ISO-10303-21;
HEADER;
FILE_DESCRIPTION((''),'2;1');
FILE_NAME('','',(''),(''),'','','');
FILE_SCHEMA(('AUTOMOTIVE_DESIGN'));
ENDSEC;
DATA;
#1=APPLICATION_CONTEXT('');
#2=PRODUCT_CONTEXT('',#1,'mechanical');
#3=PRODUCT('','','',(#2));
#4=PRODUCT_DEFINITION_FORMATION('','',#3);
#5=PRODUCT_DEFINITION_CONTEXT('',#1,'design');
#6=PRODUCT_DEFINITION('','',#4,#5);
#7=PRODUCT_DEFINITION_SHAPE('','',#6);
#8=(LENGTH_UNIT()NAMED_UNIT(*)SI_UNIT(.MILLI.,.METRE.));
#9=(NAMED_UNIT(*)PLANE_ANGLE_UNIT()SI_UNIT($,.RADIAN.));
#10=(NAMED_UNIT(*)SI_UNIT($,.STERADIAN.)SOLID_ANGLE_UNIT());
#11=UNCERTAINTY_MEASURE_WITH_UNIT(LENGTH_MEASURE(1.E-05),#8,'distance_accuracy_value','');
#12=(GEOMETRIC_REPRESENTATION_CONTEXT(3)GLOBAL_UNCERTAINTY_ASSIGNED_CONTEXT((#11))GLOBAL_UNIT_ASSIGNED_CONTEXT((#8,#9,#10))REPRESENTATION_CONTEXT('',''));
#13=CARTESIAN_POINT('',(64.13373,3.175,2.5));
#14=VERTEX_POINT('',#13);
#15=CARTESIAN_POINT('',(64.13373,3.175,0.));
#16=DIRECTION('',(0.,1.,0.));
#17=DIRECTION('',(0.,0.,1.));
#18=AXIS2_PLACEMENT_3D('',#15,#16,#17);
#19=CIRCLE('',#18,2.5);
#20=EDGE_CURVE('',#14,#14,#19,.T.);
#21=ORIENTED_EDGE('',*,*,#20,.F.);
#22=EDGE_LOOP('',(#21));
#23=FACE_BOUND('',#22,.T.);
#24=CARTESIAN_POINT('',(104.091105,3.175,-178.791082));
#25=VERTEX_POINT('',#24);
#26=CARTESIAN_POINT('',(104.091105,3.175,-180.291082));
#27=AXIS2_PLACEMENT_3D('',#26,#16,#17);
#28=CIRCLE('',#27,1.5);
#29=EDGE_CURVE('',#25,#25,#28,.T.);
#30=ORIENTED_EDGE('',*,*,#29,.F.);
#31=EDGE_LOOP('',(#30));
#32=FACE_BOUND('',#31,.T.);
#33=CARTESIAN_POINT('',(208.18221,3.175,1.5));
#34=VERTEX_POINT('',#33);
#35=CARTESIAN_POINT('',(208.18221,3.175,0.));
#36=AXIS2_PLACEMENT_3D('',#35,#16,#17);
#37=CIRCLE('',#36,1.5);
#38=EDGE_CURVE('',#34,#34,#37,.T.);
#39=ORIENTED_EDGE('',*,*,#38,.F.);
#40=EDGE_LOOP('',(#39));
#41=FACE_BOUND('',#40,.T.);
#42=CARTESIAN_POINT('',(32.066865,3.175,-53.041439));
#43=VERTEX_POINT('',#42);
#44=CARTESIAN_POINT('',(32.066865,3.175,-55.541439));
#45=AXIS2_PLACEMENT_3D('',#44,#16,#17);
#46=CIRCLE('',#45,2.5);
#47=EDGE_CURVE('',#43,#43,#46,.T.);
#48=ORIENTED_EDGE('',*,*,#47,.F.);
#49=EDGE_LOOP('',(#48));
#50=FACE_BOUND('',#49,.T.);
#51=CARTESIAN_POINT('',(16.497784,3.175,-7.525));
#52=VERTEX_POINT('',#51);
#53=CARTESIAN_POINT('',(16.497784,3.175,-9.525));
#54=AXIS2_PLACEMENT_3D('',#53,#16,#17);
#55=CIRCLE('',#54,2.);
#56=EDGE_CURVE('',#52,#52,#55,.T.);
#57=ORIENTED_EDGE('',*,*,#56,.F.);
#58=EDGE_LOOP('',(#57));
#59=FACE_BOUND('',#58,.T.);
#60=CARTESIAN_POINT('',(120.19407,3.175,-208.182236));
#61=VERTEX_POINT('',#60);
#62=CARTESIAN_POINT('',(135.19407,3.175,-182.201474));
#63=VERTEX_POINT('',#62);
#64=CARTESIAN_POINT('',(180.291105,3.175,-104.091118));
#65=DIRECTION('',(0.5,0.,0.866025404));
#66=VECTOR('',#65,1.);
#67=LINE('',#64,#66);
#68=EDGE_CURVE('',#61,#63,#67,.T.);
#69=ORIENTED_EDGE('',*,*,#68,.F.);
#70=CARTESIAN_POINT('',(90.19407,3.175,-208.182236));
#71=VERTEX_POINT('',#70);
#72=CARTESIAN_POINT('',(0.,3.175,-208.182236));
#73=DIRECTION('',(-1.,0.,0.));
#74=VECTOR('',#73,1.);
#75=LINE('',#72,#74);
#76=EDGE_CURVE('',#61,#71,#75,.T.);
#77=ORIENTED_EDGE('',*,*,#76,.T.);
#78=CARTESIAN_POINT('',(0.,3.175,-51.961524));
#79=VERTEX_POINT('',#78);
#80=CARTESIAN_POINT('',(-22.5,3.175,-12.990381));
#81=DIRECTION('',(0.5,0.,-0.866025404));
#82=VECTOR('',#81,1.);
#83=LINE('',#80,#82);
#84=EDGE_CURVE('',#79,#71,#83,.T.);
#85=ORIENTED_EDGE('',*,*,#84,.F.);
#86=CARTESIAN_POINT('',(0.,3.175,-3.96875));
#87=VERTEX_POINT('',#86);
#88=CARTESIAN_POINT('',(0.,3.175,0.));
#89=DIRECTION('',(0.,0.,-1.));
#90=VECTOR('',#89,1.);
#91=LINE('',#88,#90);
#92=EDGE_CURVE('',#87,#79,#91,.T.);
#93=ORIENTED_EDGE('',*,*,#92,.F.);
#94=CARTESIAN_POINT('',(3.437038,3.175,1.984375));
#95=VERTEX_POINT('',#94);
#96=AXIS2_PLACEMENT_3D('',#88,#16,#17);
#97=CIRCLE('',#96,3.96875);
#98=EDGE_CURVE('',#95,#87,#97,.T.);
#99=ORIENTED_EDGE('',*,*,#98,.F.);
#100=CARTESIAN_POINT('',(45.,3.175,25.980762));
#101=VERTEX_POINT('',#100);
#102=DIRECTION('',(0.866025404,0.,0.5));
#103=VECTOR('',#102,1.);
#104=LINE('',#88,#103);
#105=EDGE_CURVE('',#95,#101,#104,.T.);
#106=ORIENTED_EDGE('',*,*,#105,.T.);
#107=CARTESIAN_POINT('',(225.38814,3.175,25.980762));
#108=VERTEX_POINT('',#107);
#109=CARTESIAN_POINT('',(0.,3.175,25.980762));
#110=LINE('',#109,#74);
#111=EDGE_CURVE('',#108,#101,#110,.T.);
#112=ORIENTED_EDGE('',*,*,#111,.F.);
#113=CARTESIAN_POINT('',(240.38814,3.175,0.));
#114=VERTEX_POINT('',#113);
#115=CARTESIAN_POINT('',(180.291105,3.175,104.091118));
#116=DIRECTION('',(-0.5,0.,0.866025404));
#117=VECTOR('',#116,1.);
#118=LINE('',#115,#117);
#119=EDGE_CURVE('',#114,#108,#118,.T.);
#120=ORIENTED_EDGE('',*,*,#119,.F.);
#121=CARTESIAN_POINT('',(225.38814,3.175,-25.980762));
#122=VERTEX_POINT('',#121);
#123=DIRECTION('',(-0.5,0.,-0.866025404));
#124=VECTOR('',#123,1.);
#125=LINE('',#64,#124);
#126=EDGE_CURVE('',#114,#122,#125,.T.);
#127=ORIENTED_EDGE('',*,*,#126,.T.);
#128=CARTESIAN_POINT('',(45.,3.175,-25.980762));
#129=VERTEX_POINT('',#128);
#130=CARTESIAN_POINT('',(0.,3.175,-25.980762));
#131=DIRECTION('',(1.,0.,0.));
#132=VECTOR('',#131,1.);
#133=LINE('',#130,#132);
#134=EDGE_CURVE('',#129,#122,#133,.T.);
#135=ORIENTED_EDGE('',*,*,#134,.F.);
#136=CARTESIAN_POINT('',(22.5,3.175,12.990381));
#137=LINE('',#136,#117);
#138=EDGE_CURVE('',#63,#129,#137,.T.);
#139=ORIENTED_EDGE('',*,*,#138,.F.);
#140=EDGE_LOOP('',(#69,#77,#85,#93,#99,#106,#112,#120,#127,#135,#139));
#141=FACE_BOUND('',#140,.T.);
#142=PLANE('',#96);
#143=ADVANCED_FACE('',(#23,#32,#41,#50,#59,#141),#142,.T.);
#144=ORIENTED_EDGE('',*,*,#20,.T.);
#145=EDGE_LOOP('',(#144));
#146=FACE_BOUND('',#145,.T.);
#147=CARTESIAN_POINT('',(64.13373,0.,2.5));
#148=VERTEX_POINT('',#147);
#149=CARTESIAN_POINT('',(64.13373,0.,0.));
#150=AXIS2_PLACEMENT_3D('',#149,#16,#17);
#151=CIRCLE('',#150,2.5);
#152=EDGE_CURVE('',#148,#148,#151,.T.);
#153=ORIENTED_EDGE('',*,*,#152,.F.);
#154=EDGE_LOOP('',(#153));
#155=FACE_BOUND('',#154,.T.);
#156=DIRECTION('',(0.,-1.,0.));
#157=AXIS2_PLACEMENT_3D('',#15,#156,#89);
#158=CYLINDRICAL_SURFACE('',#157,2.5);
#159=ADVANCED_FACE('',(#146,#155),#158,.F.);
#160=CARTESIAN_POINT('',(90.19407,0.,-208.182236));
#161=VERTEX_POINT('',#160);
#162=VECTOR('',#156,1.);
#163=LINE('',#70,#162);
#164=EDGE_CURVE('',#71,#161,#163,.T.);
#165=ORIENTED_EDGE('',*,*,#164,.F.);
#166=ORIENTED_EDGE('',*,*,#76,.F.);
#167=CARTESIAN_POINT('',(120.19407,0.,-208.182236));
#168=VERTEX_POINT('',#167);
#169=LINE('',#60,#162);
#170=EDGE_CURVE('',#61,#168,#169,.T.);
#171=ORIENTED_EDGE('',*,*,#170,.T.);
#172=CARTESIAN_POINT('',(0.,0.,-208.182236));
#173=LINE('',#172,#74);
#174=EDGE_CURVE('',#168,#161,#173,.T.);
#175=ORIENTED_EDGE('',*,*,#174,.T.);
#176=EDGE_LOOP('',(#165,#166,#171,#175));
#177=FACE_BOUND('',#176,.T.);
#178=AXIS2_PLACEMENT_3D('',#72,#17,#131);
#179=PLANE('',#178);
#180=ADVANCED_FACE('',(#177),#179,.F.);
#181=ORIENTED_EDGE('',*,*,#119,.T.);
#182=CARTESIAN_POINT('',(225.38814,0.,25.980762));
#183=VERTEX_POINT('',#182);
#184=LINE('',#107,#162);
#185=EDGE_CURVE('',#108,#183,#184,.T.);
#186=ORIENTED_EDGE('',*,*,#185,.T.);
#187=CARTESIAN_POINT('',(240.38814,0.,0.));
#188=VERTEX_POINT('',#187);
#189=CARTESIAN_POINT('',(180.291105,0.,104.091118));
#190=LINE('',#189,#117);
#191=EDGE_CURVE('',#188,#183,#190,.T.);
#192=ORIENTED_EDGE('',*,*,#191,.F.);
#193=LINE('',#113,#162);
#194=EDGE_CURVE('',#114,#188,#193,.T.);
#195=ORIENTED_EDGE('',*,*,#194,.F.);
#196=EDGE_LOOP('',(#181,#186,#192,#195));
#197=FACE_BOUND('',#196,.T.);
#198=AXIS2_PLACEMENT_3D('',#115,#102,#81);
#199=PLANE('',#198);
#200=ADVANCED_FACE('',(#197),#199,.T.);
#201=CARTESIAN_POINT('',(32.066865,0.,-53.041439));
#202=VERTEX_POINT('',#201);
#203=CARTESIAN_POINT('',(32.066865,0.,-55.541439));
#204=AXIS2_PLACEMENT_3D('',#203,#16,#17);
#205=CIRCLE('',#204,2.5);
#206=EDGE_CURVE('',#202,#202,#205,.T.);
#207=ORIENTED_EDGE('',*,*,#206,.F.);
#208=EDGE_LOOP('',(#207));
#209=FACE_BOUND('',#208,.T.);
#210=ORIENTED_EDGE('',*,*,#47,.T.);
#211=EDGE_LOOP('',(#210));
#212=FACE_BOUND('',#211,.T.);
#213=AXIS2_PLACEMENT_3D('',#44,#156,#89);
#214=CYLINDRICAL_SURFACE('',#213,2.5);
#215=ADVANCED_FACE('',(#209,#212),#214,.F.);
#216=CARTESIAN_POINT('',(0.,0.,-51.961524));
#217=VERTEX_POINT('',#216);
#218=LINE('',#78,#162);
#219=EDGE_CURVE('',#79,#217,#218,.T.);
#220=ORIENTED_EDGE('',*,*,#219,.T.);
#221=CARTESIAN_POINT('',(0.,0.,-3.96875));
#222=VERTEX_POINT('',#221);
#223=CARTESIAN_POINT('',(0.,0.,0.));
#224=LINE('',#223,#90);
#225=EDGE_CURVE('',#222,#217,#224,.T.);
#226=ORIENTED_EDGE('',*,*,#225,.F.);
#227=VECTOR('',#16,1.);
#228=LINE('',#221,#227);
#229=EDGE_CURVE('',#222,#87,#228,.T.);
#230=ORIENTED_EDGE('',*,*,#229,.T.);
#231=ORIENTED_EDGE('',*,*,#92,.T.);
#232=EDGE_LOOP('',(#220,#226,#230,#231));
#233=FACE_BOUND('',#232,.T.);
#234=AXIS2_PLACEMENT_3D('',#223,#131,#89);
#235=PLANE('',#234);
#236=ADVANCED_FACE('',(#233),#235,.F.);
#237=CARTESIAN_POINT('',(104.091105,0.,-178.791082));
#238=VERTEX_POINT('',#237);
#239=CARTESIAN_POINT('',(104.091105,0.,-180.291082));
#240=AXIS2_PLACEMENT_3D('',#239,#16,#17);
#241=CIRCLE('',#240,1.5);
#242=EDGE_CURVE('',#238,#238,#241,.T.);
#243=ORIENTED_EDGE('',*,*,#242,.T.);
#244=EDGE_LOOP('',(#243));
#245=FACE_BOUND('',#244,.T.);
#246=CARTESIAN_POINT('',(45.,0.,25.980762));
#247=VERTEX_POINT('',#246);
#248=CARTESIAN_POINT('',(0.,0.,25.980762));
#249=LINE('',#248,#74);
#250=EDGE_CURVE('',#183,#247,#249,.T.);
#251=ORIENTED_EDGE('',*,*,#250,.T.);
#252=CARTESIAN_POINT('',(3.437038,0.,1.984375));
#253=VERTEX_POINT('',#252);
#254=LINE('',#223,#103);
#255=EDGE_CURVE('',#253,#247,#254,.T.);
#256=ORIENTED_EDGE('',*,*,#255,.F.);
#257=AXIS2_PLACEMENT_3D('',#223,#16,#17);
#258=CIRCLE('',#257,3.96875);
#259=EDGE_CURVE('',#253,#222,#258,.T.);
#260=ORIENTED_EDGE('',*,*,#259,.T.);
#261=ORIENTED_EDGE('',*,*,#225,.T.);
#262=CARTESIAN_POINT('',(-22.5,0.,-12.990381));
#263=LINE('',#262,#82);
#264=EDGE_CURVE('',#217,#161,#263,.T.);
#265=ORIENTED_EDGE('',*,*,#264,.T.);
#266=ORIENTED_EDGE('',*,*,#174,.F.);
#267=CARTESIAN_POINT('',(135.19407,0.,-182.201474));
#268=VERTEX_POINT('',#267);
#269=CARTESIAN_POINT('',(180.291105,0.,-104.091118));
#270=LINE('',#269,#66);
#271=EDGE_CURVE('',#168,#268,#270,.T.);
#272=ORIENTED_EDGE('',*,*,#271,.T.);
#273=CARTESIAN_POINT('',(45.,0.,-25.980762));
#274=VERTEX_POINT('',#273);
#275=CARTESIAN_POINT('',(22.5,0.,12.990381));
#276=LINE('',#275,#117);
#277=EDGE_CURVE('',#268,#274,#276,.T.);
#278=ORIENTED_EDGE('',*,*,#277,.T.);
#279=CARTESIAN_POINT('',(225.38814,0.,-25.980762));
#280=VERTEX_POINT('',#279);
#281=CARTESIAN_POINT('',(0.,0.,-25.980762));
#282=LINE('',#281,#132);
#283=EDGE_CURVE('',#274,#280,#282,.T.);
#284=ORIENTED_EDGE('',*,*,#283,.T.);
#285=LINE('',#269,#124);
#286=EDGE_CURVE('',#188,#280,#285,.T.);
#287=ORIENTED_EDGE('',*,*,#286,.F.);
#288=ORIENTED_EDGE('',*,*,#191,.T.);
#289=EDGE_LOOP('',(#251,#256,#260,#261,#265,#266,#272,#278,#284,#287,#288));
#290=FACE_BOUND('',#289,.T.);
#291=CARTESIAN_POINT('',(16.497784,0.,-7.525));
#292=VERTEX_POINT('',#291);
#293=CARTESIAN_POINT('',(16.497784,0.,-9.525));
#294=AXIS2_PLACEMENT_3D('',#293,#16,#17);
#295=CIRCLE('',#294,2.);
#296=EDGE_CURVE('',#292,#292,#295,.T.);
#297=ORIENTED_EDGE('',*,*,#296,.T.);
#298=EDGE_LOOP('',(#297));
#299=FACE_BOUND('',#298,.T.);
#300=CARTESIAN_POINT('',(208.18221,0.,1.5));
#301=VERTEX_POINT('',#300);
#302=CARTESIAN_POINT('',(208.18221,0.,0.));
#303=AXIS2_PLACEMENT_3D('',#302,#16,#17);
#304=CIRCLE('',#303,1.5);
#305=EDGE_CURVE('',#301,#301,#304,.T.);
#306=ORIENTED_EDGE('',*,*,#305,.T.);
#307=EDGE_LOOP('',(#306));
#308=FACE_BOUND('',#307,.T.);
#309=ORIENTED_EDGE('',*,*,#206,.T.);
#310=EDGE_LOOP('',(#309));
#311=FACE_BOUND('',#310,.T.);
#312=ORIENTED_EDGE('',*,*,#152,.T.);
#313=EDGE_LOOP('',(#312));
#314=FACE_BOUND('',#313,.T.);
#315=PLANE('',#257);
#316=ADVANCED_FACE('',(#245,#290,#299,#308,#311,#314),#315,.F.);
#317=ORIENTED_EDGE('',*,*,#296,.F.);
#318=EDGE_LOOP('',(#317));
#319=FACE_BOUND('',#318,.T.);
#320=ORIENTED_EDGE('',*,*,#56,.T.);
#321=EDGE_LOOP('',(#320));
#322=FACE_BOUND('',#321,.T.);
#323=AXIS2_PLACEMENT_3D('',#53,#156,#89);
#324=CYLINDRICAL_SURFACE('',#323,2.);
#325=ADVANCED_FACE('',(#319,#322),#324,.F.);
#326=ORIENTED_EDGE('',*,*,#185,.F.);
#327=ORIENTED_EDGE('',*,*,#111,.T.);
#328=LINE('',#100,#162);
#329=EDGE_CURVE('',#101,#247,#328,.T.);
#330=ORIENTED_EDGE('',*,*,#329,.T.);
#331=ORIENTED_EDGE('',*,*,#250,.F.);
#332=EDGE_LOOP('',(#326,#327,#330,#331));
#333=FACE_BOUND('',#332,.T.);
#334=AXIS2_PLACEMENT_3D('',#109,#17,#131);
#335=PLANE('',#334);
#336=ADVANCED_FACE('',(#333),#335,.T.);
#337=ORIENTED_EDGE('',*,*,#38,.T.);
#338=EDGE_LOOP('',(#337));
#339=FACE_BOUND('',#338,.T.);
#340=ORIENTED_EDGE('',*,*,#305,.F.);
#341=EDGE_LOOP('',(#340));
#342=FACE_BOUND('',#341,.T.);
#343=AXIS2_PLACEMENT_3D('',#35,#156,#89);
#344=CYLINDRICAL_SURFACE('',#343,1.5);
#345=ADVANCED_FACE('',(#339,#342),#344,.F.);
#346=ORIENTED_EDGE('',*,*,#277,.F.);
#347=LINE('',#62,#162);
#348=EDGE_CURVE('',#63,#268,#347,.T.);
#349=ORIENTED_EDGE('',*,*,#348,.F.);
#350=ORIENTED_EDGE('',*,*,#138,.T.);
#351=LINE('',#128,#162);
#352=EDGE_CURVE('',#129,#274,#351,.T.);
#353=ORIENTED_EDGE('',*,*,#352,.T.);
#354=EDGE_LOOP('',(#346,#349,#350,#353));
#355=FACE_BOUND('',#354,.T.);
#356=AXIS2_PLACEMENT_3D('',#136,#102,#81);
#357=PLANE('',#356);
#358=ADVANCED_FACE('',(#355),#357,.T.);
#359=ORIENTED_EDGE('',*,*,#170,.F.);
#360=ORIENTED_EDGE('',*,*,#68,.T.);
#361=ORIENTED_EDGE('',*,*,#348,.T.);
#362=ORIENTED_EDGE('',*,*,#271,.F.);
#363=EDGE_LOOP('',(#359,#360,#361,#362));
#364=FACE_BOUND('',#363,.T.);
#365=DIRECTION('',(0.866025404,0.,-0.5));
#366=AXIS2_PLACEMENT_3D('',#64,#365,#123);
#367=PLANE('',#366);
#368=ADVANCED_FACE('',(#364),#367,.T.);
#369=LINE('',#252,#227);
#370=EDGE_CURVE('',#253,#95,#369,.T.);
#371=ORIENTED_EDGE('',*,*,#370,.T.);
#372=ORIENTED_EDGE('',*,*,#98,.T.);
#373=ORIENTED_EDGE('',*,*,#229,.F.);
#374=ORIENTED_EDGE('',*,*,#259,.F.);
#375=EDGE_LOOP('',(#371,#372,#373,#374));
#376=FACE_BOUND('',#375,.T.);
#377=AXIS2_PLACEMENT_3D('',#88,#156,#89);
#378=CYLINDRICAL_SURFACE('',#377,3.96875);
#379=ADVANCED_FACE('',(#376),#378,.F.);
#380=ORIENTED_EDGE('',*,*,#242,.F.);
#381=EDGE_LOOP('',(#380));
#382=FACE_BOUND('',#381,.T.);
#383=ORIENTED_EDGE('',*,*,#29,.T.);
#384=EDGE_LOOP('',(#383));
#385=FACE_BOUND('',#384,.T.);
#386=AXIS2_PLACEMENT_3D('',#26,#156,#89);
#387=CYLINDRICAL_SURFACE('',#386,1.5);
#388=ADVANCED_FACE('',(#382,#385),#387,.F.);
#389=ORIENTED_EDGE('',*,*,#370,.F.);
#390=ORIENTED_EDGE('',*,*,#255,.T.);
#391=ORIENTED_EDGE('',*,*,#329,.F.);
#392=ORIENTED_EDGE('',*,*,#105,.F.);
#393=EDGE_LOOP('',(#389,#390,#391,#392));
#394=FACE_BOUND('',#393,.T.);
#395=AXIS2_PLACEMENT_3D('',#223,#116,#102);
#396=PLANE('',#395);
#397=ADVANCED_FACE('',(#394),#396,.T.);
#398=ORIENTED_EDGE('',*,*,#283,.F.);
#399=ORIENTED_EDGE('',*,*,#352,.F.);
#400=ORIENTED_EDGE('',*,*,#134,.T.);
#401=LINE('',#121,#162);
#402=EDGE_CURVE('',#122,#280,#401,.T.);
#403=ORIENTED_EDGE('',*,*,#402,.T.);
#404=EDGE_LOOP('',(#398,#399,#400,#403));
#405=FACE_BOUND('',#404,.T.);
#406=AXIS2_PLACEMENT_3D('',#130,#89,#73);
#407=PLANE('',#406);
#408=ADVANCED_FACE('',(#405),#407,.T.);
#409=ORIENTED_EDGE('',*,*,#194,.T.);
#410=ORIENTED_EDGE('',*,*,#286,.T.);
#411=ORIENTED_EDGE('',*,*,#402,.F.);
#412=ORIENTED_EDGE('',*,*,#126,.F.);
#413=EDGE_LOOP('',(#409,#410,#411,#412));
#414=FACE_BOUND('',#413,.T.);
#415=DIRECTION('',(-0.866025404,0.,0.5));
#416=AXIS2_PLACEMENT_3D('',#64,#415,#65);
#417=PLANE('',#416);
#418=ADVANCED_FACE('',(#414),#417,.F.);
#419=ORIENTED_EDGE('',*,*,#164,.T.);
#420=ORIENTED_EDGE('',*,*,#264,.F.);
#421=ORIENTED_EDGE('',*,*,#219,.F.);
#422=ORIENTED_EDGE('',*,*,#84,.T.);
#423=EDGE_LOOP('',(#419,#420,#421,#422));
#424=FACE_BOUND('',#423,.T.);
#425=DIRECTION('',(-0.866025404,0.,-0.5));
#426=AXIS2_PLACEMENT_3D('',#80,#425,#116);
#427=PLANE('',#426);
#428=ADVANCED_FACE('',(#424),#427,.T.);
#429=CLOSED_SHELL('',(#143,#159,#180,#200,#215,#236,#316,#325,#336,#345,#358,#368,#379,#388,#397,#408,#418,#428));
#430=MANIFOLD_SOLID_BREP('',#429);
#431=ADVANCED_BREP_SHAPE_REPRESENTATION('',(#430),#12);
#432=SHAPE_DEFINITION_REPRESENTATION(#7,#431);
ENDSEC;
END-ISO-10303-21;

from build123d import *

# Parameters (mm, degrees)
SKETCH1_R           = 1.5
SKETCH1_R_2         = 2
SKETCH1_R_3         = 2.5
SKETCH1_R_4         = 3.96875
BOSS_EXTRUDE1_DEPTH = 3.175
CUT_EXTRUDE1_START  = -3.175
SKETCH2_R           = 3.96875
SKETCH2_R_2         = 1.5
SKETCH2_R_3         = 2
SKETCH2_R_4         = 2.5
CUT_EXTRUDE1_DEPTH  = 3.175


with BuildPart() as part:
    # Sketch1 → Boss-Extrude1 (new body)
    with BuildSketch(Plane(origin=(0, 0, 0), x_dir=(1, 0, 0), z_dir=(0, 1, 0))):
        Polygon((240.38814, 0), (225.38814, 25.980762114), (45, 25.980762114), (135.19407, 182.201473895), (120.19407, 208.182236008), (90.19407, 208.182236008), (0, 51.961524227), (-90.19407, 208.182236008), (-120.19407, 208.182236008), (-135.19407, 182.201473895), (-45, 25.980762114), (-225.38814, 25.980762114), (-240.38814, 0), (-225.38814, -25.980762114), (-45, -25.980762114), (-135.19407, -182.201473895), (-120.19407, -208.182236008), (-90.19407, -208.182236008), (0, -51.961524227), (90.19407, -208.182236008), (120.19407, -208.182236008), (135.19407, -182.201473895), (45, -25.980762114), (225.38814, -25.980762114), align=None)
        with Locations(Location((208.18221, 0, 0), (0, 0, 270))):
            Circle(SKETCH1_R, mode=Mode.SUBTRACT)
        with Locations(Location((104.091105, -180.291082476, 0), (0, 0, 270))):
            Circle(SKETCH1_R, mode=Mode.SUBTRACT)
        with Locations(Location((-104.091105, -180.291082476, 0), (0, 0, 270))):
            Circle(SKETCH1_R, mode=Mode.SUBTRACT)
        with Locations(Location((-208.18221, 0, 0), (0, 0, 270))):
            Circle(SKETCH1_R, mode=Mode.SUBTRACT)
        with Locations(Location((-104.091105, 180.291082476, 0), (0, 0, 270))):
            Circle(SKETCH1_R, mode=Mode.SUBTRACT)
        with Locations(Location((104.091105, 180.291082476, 0), (0, 0, 270))):
            Circle(SKETCH1_R, mode=Mode.SUBTRACT)
        with Locations(Location((16.497783942, 9.525, 0), (0, 0, 270))):
            Circle(SKETCH1_R_2, mode=Mode.SUBTRACT)
        with Locations(Location((0, -19.05, 0), (0, 0, 270))):
            Circle(SKETCH1_R_2, mode=Mode.SUBTRACT)
        with Locations(Location((-16.497783942, 9.525, 0), (0, 0, 270))):
            Circle(SKETCH1_R_2, mode=Mode.SUBTRACT)
        with Locations(Location((32.066865, 55.541439419, 0), (0, 0, 270))):
            Circle(SKETCH1_R_3, mode=Mode.SUBTRACT)
        with Locations(Location((64.13373, 0, 0), (0, 0, 270))):
            Circle(SKETCH1_R_3, mode=Mode.SUBTRACT)
        with Locations(Location((32.066865, -55.541439419, 0), (0, 0, 270))):
            Circle(SKETCH1_R_3, mode=Mode.SUBTRACT)
        with Locations(Location((-32.066865, -55.541439419, 0), (0, 0, 270))):
            Circle(SKETCH1_R_3, mode=Mode.SUBTRACT)
        with Locations(Location((-64.13373, 0, 0), (0, 0, 270))):
            Circle(SKETCH1_R_3, mode=Mode.SUBTRACT)
        with Locations(Location((-32.066865, 55.541439419, 0), (0, 0, 270))):
            Circle(SKETCH1_R_3, mode=Mode.SUBTRACT)
        with Locations(Location((0, 0, 0), (0, 0, 270))):
            Circle(SKETCH1_R_4, mode=Mode.SUBTRACT)
    extrude(amount=BOSS_EXTRUDE1_DEPTH)

    # Sketch2 → Cut-Extrude1 (cut)
    # profile 1 of 3: a face of its own
    with BuildSketch(Plane(origin=(0, 3.175, 0), x_dir=(1, 0, 0), z_dir=(0, 1, 0)).offset(CUT_EXTRUDE1_START)):
        with BuildLine():
            ThreePointArc((228.675327889, -132.025762114), (-228.675327889, -132.025762114), (0, 264.051524227))
            Line((0, 264.051524227), (0, 51.961524227))
            Line((0, 51.961524227), (-90.19407, 208.182236008))
            Line((-90.19407, 208.182236008), (-120.19407, 208.182236008))
            Line((-120.19407, 208.182236008), (-135.19407, 182.201473895))
            Line((-135.19407, 182.201473895), (-45, 25.980762114))
            Line((-45, 25.980762114), (-225.38814, 25.980762114))
            Line((-225.38814, 25.980762114), (-240.38814, 0))
            Line((-240.38814, 0), (-225.38814, -25.980762114))
            Line((-225.38814, -25.980762114), (-45, -25.980762114))
            Line((-45, -25.980762114), (-135.19407, -182.201473895))
            Line((-135.19407, -182.201473895), (-120.19407, -208.182236008))
            Line((-120.19407, -208.182236008), (-90.19407, -208.182236008))
            Line((-90.19407, -208.182236008), (0, -51.961524227))
            Line((0, -51.961524227), (90.19407, -208.182236008))
            Line((90.19407, -208.182236008), (120.19407, -208.182236008))
            Line((120.19407, -208.182236008), (135.19407, -182.201473895))
            Line((135.19407, -182.201473895), (45, -25.980762114))
            Line((45, -25.980762114), (228.675327889, -132.025762114))
        make_face()
    # profile 2 of 3: a face of its own
    with BuildSketch(Plane(origin=(0, 3.175, 0), x_dir=(1, 0, 0), z_dir=(0, 1, 0)).offset(CUT_EXTRUDE1_START)):
        Circle(SKETCH2_R)
    # profile 3 of 3: a face of its own
    with BuildSketch(Plane(origin=(0, 3.175, 0), x_dir=(1, 0, 0), z_dir=(0, 1, 0)).offset(CUT_EXTRUDE1_START)):
        Polygon((0, 0), (45, -25.980762114), (135.19407, -182.201473895), (120.19407, -208.182236008), (90.19407, -208.182236008), (0, -51.961524227), (-90.19407, -208.182236008), (-120.19407, -208.182236008), (-135.19407, -182.201473895), (-45, -25.980762114), (-225.38814, -25.980762114), (-240.38814, 0), (-225.38814, 25.980762114), (-45, 25.980762114), (-135.19407, 182.201473895), (-120.19407, 208.182236008), (-90.19407, 208.182236008), (0, 51.961524227), align=None)
        with Locations((104.091105, -180.291082476)):
            Circle(SKETCH2_R_2, mode=Mode.SUBTRACT)
        with Locations((-208.18221, 0)):
            Circle(SKETCH2_R_2, mode=Mode.SUBTRACT)
        with Locations((-104.091105, 180.291082476)):
            Circle(SKETCH2_R_2, mode=Mode.SUBTRACT)
        with Locations((-16.497783942, 9.525)):
            Circle(SKETCH2_R_3, mode=Mode.SUBTRACT)
        with Locations((0, -19.05)):
            Circle(SKETCH2_R_3, mode=Mode.SUBTRACT)
        with Locations((-32.066865, 55.541439419)):
            Circle(SKETCH2_R_4, mode=Mode.SUBTRACT)
        with Locations((-64.13373, 0)):
            Circle(SKETCH2_R_4, mode=Mode.SUBTRACT)
        with Locations((-32.066865, -55.541439419)):
            Circle(SKETCH2_R_4, mode=Mode.SUBTRACT)
        with Locations((-104.091105, -180.291082476)):
            Circle(SKETCH2_R_2, mode=Mode.SUBTRACT)
        with Locations((32.066865, -55.541439419)):
            Circle(SKETCH2_R_4, mode=Mode.SUBTRACT)
    extrude(amount=CUT_EXTRUDE1_DEPTH, mode=Mode.SUBTRACT)


solid = part.part
